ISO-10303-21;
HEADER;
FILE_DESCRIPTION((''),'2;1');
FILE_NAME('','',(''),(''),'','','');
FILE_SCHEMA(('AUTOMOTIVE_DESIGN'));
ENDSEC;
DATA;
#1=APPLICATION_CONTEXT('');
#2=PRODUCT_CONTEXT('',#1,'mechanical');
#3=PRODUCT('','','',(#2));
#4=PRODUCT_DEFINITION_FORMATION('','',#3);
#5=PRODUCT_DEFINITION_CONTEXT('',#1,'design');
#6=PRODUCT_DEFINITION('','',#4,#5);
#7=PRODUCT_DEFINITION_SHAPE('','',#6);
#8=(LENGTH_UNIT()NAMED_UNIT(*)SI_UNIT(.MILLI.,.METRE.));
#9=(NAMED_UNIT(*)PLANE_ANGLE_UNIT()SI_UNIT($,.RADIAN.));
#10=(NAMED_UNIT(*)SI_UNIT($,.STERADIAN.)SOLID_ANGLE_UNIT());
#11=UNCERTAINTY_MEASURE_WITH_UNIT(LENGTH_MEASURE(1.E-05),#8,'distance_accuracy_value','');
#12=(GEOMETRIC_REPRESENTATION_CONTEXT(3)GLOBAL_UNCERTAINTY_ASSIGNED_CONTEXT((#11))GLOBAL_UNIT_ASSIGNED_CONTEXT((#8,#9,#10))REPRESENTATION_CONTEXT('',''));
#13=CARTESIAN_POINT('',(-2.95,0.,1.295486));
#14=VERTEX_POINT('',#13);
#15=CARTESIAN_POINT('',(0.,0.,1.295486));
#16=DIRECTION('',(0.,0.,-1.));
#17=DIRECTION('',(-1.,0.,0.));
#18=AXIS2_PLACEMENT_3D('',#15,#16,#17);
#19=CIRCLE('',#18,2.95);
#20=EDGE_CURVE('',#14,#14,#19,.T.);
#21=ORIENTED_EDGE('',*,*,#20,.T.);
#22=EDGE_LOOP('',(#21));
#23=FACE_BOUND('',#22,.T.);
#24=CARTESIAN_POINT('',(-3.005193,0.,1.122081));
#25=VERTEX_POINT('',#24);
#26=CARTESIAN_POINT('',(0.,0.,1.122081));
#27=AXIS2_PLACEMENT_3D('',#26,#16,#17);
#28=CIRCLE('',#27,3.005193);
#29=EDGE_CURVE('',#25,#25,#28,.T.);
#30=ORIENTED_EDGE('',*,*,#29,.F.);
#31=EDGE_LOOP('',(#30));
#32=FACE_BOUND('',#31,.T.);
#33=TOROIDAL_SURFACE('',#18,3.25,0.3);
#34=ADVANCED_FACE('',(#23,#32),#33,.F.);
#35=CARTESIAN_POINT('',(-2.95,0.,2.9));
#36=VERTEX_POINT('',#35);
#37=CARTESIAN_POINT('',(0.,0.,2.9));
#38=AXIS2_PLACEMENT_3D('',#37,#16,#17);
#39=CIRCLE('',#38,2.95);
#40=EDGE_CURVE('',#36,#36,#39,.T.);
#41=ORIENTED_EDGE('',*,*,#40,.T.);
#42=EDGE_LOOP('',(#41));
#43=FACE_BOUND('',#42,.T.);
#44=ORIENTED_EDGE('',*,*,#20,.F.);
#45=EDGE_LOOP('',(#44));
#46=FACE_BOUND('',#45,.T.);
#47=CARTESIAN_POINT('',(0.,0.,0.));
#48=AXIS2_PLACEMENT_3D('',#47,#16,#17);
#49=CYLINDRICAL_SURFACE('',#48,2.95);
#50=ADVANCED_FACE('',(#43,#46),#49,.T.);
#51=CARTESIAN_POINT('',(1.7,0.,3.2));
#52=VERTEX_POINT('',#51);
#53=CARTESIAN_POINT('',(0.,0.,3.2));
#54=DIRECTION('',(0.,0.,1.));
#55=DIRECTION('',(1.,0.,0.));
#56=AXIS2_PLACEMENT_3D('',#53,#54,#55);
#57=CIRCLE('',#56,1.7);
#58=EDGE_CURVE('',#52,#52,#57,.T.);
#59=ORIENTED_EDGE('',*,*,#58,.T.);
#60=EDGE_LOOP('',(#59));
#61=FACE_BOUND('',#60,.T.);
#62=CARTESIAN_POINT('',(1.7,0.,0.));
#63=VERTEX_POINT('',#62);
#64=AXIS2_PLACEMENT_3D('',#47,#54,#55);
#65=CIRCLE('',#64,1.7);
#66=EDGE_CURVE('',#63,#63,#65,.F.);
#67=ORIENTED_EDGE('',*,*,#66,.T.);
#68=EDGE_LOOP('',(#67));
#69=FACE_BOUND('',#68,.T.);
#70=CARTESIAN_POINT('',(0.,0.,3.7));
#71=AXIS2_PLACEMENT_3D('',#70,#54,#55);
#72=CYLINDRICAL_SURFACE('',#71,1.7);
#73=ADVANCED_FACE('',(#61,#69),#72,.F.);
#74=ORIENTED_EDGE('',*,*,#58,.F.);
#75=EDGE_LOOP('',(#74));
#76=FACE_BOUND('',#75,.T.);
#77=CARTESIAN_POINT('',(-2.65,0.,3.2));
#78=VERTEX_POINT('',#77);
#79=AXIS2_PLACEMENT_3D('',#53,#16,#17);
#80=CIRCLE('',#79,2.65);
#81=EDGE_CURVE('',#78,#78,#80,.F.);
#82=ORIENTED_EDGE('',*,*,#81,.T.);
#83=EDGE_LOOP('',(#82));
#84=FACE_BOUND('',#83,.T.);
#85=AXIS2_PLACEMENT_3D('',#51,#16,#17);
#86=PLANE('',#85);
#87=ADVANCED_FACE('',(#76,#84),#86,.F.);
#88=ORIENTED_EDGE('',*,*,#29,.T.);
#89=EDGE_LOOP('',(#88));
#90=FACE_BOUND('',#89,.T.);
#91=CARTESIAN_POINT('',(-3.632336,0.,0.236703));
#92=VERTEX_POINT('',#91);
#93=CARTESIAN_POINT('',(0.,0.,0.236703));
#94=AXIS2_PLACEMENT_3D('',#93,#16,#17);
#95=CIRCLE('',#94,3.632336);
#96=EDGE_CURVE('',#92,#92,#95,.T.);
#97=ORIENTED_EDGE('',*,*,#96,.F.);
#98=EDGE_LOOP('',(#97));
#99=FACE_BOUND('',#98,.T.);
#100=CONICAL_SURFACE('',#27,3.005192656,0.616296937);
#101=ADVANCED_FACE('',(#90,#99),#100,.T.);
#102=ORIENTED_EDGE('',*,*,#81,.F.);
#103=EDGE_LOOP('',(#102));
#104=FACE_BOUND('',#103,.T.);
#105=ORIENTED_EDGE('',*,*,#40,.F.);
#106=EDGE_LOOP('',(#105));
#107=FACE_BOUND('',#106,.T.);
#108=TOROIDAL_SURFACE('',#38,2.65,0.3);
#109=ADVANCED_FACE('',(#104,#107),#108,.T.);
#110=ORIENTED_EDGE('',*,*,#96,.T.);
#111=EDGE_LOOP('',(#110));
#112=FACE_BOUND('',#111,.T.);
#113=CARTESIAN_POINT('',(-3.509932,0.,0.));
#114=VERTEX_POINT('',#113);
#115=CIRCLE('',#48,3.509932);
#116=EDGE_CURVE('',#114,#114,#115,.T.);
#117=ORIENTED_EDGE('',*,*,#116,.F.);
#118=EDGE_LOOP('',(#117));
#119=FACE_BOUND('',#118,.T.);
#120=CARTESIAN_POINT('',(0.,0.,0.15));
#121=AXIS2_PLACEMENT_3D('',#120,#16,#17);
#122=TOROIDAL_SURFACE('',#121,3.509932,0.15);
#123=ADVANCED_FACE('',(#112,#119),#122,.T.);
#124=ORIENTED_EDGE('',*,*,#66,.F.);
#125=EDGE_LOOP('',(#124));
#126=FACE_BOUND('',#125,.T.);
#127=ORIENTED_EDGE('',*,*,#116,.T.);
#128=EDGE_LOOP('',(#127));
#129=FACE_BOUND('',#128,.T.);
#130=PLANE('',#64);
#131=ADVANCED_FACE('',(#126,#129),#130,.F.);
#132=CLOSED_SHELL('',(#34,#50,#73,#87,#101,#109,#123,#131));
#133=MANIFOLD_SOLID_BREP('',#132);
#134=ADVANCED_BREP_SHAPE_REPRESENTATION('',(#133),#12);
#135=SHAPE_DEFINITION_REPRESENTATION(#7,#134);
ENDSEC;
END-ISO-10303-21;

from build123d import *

# Parameters (mm, degrees)
HOLE_WIZARD_M3_1_D           = 3.4
HOLE_WIZARD_M3_1_CBORE_D     = 9
HOLE_WIZARD_M3_1_CBORE_DEPTH = 0.5
FILLET_2_R                   = 0.3


with BuildPart() as part:
    # 草图1 → 旋转1 (revolve)
    with BuildSketch(Plane(origin=(0, 0, 0), x_dir=(0, 0, -1), z_dir=(1, 0, 0)), mode=Mode.PRIVATE) as revolve_1_sk:
        with BuildLine():
            Line((0, 0), (0, -3.509931985))
            ThreePointArc((0, -3.509931985), (-0.081099311, -3.643171225), (-0.236702601, -3.632335658))
            Line((-0.236702601, -3.632335658), (-1.122080957, -3.005192656))
            ThreePointArc((-1.122080957, -3.005192656), (-1.204497707, -2.964130971), (-1.295486159, -2.95))
            Line((-1.295486159, -2.95), (-3.4, -2.95))
            ThreePointArc((-3.4, -2.95), (-3.612132034, -2.862132034), (-3.7, -2.65))
            Line((-3.7, -2.65), (-3.7, 0))
            Line((-3.7, 0), (0, 0))
        make_face()
    revolve(revolve_1_sk.sketch.rotate(Axis((0, 0, 0), (0, 0, 1)), 270), axis=Axis((0, 0, 0), (0, 0, 1)))

    # M3 六角头螺栓的柱形沉头孔1 (through all)
    with Locations(Plane.XY.offset(3.7)):
        with Locations((0, 0)):
            CounterBoreHole(HOLE_WIZARD_M3_1_D / 2, HOLE_WIZARD_M3_1_CBORE_D / 2, HOLE_WIZARD_M3_1_CBORE_DEPTH)

    # 圆角2
    fillet_2_edges = [part.edges().sort_by_distance(p)[0] for p in [
        (2.95, 0, 3.2),
    ]]
    fillet(fillet_2_edges, radius=FILLET_2_R)


solid = part.part
